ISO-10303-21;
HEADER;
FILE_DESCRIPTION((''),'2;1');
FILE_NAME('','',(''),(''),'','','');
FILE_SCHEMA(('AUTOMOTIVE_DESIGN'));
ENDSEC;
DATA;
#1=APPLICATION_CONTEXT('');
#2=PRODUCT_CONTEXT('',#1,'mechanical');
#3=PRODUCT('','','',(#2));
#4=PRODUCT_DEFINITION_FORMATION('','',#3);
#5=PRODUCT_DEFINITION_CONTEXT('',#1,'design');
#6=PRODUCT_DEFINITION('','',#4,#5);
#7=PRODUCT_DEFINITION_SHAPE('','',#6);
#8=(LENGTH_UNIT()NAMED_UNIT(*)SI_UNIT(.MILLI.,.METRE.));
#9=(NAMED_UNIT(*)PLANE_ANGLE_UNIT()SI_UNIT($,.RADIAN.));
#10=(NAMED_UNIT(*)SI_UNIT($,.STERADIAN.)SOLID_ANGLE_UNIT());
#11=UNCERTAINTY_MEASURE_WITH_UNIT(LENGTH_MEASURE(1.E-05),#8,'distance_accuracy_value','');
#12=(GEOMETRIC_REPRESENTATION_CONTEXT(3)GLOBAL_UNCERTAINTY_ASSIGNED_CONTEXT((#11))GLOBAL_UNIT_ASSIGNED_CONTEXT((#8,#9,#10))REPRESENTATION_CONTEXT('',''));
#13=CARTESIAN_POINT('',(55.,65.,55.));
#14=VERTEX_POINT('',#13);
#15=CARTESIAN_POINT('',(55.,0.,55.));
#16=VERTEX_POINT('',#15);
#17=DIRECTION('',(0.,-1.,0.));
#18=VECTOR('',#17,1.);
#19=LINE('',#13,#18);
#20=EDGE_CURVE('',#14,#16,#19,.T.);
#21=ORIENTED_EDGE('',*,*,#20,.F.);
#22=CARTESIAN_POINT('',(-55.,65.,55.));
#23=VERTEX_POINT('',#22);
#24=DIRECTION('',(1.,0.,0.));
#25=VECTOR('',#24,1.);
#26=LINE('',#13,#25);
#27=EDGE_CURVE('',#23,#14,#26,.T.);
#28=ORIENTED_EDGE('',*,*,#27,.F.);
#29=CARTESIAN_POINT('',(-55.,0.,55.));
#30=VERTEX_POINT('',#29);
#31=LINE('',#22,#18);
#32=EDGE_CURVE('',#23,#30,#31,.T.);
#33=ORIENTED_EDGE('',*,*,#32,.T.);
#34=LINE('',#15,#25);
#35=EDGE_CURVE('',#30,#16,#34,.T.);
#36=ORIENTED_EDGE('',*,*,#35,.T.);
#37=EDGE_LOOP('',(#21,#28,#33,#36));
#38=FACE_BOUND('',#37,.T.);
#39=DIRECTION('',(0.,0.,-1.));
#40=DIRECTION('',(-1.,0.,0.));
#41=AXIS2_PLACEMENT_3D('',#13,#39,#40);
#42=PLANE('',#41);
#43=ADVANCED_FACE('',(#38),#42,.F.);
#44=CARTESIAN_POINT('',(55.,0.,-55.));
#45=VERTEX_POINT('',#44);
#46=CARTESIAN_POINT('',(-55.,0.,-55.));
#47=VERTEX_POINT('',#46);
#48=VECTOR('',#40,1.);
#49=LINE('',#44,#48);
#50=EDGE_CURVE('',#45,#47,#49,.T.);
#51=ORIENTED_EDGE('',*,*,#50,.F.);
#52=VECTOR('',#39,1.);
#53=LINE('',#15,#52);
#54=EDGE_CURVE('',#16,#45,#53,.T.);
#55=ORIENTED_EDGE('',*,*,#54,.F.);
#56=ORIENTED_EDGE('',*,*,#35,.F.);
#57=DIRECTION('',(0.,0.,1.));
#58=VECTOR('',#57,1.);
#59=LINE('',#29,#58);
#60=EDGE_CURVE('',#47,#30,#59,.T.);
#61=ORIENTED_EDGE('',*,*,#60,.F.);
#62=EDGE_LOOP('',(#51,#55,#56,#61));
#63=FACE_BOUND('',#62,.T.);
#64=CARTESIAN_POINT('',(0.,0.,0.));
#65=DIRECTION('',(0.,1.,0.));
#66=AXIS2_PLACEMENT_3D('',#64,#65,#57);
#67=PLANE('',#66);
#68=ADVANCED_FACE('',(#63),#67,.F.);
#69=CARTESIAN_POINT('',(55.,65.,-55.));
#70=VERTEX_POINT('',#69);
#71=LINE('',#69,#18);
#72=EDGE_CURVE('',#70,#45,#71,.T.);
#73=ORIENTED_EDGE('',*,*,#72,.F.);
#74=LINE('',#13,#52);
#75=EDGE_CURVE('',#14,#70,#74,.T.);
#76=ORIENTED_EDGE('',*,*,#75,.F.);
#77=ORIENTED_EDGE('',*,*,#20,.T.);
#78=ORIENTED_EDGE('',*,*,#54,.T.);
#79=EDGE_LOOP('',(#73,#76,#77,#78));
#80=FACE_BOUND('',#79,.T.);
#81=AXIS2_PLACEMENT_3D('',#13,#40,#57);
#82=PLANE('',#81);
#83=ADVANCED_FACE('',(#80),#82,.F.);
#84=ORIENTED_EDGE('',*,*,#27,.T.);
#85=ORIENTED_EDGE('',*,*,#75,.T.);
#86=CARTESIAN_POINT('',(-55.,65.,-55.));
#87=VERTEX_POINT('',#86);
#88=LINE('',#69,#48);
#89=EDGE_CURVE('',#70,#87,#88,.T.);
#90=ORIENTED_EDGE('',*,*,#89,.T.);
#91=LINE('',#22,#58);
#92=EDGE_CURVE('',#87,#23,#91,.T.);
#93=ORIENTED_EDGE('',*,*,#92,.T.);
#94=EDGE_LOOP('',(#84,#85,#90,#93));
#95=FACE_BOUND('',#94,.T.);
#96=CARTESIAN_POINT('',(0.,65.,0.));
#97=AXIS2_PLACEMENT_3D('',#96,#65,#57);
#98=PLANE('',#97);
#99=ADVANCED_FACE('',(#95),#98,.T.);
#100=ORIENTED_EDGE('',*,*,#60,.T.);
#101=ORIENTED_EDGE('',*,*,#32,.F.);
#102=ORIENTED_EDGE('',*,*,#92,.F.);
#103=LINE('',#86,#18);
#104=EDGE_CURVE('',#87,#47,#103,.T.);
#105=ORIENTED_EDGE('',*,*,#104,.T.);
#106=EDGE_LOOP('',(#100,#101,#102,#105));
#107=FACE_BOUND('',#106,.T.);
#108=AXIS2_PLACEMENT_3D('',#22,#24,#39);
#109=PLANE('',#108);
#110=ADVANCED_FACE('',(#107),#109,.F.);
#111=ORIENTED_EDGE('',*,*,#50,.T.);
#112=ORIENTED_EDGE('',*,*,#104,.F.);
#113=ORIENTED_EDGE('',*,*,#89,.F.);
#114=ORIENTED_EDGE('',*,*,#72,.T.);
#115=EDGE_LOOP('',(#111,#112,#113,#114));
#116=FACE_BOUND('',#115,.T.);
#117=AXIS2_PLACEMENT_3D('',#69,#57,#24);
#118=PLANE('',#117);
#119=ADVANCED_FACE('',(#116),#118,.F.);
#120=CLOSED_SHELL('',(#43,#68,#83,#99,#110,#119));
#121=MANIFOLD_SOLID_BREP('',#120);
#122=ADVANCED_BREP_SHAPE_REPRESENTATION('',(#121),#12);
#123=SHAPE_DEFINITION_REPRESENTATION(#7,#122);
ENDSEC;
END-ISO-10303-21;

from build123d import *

# Parameters (mm, degrees)
SKETCH1_W           = 110
SKETCH1_H           = 110
BOSS_EXTRUDE1_DEPTH = 65


with BuildPart() as part:
    # Sketch1 → Boss-Extrude1 (new body)
    with BuildSketch(Plane(origin=(0, 0, 0), x_dir=(1, 0, 0), z_dir=(0, 1, 0))):
        Rectangle(SKETCH1_W, SKETCH1_H)
    extrude(amount=BOSS_EXTRUDE1_DEPTH)


solid = part.part
